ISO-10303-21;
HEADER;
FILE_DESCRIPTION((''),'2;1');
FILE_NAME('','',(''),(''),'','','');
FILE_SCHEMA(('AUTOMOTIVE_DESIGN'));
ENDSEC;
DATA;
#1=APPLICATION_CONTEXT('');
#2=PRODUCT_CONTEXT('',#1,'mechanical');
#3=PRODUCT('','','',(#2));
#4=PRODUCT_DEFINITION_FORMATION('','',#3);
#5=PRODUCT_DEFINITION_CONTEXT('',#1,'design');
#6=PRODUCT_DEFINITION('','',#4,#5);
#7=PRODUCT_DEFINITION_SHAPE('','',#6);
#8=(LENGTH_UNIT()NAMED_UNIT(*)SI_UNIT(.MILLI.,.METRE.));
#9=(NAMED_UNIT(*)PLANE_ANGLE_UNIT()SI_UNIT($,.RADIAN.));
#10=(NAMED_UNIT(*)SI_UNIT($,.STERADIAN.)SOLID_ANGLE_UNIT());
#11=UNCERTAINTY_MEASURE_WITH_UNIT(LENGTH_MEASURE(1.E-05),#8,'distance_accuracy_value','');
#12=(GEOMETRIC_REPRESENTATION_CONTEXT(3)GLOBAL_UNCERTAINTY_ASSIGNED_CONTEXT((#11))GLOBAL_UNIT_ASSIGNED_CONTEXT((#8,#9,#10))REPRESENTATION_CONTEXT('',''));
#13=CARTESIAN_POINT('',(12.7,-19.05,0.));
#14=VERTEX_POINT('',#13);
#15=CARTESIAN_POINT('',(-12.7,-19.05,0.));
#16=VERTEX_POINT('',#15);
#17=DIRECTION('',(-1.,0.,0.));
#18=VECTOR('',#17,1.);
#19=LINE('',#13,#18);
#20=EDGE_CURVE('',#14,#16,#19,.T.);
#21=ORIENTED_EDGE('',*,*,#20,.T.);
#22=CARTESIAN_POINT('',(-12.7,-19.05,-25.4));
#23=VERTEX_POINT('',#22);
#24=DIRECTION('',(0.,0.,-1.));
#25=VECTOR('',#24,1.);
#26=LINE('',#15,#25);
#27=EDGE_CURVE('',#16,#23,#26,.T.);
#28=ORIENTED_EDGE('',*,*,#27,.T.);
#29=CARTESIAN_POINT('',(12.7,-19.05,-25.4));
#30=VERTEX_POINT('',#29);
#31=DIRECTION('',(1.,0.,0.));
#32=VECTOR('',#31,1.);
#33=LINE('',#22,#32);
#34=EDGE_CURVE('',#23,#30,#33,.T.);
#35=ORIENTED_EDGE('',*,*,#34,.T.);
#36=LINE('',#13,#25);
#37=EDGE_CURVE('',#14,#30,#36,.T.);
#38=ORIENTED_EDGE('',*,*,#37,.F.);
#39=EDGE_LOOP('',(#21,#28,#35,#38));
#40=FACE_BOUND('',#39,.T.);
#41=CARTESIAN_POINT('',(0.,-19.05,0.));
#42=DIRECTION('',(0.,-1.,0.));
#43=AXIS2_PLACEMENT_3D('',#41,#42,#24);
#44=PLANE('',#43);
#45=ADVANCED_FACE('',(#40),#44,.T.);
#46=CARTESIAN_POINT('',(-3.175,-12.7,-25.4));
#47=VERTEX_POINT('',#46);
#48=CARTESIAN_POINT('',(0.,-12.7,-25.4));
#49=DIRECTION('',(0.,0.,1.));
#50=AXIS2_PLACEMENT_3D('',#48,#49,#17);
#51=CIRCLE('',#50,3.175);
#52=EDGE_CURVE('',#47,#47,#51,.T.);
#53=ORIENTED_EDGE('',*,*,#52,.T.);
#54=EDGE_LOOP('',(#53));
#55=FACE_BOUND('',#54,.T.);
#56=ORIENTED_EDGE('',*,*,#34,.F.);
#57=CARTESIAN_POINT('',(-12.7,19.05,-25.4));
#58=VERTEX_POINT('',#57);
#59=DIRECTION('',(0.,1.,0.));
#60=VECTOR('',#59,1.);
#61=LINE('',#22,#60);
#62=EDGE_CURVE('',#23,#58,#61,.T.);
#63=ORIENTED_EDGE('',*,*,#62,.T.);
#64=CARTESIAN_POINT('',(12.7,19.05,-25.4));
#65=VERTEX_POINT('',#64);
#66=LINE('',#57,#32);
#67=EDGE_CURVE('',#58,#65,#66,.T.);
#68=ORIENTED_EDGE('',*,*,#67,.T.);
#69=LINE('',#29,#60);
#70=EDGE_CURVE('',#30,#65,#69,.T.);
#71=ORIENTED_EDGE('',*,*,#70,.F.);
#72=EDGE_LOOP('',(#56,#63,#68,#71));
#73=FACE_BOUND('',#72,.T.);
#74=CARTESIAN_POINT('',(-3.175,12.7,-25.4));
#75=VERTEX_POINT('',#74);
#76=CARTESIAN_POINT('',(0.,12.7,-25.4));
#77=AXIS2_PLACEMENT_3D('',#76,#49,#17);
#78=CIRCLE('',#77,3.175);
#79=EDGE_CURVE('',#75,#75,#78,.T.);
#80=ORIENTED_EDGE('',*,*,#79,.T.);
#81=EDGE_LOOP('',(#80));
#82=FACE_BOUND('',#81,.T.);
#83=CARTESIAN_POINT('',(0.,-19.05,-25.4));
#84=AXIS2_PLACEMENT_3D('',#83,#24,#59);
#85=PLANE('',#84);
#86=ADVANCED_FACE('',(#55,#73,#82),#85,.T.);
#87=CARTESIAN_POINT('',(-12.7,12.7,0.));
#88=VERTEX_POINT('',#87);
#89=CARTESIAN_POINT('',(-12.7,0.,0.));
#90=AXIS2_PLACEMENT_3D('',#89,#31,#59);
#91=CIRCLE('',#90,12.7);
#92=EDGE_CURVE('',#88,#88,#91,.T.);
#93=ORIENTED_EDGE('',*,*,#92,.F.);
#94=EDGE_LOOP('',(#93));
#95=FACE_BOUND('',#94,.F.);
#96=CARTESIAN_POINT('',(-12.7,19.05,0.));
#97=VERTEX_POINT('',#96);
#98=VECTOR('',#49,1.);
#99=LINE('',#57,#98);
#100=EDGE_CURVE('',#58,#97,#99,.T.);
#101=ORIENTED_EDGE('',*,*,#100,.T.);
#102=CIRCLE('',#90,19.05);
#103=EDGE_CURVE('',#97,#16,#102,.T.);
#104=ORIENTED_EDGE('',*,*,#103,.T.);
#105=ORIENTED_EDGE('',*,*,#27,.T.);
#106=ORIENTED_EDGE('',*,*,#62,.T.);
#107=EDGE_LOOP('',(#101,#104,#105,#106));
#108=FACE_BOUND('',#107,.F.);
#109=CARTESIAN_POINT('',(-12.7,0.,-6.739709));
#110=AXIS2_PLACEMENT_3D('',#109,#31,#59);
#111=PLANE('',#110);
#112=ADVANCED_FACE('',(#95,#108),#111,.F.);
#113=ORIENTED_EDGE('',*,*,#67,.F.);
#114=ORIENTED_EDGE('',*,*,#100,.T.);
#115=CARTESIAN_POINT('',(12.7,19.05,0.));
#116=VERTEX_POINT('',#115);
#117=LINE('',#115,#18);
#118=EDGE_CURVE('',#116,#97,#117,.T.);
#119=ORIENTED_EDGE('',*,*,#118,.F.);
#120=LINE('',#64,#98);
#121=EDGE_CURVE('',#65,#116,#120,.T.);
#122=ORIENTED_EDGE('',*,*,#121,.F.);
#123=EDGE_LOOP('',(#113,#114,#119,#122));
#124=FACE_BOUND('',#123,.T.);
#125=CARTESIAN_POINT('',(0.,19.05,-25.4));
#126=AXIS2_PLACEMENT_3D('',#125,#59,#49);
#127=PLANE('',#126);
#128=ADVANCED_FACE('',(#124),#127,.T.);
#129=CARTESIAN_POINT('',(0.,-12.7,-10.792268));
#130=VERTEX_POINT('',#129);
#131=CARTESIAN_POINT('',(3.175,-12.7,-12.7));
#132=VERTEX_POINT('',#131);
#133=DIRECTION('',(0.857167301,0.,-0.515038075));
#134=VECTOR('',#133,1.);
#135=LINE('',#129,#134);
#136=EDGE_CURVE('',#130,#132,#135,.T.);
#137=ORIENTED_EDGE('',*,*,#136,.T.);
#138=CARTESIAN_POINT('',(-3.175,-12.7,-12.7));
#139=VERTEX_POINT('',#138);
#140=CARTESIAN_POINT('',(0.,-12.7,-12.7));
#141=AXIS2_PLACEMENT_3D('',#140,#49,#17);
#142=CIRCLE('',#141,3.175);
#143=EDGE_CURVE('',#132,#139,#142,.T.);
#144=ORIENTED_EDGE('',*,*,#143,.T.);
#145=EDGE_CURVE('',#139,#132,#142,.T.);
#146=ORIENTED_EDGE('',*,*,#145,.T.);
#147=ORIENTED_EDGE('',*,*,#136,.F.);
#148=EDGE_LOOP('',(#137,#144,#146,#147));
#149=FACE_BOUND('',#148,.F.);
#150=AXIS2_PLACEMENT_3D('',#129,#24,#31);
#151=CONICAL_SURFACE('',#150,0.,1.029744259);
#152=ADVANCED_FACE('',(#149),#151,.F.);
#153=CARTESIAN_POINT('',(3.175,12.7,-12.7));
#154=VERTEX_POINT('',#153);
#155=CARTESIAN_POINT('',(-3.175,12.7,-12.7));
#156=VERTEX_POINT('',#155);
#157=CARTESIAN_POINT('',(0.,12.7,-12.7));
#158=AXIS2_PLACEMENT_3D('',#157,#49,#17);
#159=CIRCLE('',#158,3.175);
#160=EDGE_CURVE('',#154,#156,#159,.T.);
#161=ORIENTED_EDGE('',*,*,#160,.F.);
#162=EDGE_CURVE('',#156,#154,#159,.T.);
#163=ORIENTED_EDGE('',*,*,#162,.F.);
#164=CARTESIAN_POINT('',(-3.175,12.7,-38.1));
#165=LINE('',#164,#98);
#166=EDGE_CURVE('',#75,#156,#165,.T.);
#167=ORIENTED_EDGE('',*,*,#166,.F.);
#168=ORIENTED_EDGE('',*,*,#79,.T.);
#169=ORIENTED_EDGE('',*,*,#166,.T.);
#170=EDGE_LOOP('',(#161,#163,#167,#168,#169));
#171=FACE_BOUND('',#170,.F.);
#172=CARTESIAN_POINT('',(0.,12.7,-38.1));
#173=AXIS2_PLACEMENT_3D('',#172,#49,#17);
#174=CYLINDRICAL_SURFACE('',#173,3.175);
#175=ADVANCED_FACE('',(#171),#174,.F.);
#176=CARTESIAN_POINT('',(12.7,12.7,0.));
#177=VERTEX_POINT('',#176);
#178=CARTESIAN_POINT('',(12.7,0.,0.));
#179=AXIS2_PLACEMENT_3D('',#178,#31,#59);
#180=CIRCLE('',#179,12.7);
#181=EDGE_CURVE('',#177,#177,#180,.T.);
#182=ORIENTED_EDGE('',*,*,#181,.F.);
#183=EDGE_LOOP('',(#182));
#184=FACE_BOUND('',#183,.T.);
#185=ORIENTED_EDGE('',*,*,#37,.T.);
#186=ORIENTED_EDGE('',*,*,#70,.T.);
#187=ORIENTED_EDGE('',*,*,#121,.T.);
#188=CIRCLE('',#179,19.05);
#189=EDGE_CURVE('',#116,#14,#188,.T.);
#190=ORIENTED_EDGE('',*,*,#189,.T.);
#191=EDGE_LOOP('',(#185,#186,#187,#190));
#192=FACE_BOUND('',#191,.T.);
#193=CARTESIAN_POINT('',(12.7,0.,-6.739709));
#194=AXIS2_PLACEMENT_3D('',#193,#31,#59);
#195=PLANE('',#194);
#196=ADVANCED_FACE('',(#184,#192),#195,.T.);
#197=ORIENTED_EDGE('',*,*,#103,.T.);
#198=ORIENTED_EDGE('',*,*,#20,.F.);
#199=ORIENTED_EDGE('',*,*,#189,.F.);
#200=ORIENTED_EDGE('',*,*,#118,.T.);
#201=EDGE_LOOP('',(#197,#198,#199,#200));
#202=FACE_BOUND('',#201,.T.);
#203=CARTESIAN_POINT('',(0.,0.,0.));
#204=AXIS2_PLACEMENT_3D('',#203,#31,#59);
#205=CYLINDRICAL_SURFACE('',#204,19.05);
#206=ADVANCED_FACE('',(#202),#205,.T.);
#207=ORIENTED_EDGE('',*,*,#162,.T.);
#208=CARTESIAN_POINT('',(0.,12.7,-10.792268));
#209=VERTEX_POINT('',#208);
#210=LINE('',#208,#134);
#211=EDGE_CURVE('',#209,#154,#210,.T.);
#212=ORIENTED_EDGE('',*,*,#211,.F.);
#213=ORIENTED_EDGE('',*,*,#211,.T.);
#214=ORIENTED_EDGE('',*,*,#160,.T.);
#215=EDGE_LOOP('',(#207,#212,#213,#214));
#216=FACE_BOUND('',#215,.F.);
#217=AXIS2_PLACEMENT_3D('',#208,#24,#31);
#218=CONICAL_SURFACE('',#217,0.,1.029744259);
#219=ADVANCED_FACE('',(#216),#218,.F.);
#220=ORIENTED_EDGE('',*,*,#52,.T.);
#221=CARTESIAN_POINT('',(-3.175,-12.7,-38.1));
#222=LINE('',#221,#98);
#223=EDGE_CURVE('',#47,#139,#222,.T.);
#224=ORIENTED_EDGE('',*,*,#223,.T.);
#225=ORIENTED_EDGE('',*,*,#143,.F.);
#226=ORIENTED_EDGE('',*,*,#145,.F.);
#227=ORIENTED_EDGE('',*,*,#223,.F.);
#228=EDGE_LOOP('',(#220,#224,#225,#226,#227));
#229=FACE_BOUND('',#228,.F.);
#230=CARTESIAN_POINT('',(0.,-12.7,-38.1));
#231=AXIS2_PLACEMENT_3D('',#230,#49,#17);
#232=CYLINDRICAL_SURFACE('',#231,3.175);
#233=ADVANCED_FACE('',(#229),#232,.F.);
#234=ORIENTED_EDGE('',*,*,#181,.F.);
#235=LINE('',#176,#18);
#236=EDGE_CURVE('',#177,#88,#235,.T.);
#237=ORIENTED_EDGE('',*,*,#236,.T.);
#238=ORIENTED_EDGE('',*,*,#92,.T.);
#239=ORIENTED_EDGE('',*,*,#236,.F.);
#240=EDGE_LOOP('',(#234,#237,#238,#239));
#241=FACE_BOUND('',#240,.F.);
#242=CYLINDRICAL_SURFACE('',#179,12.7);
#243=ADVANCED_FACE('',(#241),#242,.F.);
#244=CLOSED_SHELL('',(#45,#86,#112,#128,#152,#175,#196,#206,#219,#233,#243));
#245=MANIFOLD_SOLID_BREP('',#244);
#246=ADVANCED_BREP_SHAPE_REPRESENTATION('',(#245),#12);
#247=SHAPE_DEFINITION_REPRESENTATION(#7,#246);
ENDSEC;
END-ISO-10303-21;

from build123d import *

# Parameters (mm, degrees)
F1_DEPTH = 12.7
F2_R     = 12.7
F3_DEPTH = 25.401
F5_D     = 6.35
F5_DEPTH = 12.7
F5_TIP   = 1.9077324654


with BuildPart() as f1:
    # F0 (on Right) → F1 (new body, symmetric)
    with BuildSketch(Plane.YZ):
        with BuildLine():
            Line((-19.05, 0), (-19.05, -25.4))
            Line((-19.05, -25.4), (19.05, -25.4))
            Line((19.05, -25.4), (19.05, 0))
            ThreePointArc((19.05, 0), (0, 19.05), (-19.05, 0))
        make_face()
    extrude(amount=F1_DEPTH, both=True)

    # F2 (on face) → F3 (cut, through all)
    with BuildSketch(Plane.YZ.offset(12.7)):
        Circle(F2_R)
    extrude(amount=-F3_DEPTH, mode=Mode.SUBTRACT)

    # F5
    with Locations(Plane(origin=(0, 0, -25.4), x_dir=(1, 0, 0), z_dir=(0, 0, -1))):
        with Locations((0, 12.7), (0, -12.7)):
            Hole(F5_D / 2, depth=F5_DEPTH)
            with Locations((0, 0, -(F5_DEPTH + F5_TIP / 2))):  # 118° drill point
                Cone(0, F5_D / 2, F5_TIP, mode=Mode.SUBTRACT)


solid = f1.part
